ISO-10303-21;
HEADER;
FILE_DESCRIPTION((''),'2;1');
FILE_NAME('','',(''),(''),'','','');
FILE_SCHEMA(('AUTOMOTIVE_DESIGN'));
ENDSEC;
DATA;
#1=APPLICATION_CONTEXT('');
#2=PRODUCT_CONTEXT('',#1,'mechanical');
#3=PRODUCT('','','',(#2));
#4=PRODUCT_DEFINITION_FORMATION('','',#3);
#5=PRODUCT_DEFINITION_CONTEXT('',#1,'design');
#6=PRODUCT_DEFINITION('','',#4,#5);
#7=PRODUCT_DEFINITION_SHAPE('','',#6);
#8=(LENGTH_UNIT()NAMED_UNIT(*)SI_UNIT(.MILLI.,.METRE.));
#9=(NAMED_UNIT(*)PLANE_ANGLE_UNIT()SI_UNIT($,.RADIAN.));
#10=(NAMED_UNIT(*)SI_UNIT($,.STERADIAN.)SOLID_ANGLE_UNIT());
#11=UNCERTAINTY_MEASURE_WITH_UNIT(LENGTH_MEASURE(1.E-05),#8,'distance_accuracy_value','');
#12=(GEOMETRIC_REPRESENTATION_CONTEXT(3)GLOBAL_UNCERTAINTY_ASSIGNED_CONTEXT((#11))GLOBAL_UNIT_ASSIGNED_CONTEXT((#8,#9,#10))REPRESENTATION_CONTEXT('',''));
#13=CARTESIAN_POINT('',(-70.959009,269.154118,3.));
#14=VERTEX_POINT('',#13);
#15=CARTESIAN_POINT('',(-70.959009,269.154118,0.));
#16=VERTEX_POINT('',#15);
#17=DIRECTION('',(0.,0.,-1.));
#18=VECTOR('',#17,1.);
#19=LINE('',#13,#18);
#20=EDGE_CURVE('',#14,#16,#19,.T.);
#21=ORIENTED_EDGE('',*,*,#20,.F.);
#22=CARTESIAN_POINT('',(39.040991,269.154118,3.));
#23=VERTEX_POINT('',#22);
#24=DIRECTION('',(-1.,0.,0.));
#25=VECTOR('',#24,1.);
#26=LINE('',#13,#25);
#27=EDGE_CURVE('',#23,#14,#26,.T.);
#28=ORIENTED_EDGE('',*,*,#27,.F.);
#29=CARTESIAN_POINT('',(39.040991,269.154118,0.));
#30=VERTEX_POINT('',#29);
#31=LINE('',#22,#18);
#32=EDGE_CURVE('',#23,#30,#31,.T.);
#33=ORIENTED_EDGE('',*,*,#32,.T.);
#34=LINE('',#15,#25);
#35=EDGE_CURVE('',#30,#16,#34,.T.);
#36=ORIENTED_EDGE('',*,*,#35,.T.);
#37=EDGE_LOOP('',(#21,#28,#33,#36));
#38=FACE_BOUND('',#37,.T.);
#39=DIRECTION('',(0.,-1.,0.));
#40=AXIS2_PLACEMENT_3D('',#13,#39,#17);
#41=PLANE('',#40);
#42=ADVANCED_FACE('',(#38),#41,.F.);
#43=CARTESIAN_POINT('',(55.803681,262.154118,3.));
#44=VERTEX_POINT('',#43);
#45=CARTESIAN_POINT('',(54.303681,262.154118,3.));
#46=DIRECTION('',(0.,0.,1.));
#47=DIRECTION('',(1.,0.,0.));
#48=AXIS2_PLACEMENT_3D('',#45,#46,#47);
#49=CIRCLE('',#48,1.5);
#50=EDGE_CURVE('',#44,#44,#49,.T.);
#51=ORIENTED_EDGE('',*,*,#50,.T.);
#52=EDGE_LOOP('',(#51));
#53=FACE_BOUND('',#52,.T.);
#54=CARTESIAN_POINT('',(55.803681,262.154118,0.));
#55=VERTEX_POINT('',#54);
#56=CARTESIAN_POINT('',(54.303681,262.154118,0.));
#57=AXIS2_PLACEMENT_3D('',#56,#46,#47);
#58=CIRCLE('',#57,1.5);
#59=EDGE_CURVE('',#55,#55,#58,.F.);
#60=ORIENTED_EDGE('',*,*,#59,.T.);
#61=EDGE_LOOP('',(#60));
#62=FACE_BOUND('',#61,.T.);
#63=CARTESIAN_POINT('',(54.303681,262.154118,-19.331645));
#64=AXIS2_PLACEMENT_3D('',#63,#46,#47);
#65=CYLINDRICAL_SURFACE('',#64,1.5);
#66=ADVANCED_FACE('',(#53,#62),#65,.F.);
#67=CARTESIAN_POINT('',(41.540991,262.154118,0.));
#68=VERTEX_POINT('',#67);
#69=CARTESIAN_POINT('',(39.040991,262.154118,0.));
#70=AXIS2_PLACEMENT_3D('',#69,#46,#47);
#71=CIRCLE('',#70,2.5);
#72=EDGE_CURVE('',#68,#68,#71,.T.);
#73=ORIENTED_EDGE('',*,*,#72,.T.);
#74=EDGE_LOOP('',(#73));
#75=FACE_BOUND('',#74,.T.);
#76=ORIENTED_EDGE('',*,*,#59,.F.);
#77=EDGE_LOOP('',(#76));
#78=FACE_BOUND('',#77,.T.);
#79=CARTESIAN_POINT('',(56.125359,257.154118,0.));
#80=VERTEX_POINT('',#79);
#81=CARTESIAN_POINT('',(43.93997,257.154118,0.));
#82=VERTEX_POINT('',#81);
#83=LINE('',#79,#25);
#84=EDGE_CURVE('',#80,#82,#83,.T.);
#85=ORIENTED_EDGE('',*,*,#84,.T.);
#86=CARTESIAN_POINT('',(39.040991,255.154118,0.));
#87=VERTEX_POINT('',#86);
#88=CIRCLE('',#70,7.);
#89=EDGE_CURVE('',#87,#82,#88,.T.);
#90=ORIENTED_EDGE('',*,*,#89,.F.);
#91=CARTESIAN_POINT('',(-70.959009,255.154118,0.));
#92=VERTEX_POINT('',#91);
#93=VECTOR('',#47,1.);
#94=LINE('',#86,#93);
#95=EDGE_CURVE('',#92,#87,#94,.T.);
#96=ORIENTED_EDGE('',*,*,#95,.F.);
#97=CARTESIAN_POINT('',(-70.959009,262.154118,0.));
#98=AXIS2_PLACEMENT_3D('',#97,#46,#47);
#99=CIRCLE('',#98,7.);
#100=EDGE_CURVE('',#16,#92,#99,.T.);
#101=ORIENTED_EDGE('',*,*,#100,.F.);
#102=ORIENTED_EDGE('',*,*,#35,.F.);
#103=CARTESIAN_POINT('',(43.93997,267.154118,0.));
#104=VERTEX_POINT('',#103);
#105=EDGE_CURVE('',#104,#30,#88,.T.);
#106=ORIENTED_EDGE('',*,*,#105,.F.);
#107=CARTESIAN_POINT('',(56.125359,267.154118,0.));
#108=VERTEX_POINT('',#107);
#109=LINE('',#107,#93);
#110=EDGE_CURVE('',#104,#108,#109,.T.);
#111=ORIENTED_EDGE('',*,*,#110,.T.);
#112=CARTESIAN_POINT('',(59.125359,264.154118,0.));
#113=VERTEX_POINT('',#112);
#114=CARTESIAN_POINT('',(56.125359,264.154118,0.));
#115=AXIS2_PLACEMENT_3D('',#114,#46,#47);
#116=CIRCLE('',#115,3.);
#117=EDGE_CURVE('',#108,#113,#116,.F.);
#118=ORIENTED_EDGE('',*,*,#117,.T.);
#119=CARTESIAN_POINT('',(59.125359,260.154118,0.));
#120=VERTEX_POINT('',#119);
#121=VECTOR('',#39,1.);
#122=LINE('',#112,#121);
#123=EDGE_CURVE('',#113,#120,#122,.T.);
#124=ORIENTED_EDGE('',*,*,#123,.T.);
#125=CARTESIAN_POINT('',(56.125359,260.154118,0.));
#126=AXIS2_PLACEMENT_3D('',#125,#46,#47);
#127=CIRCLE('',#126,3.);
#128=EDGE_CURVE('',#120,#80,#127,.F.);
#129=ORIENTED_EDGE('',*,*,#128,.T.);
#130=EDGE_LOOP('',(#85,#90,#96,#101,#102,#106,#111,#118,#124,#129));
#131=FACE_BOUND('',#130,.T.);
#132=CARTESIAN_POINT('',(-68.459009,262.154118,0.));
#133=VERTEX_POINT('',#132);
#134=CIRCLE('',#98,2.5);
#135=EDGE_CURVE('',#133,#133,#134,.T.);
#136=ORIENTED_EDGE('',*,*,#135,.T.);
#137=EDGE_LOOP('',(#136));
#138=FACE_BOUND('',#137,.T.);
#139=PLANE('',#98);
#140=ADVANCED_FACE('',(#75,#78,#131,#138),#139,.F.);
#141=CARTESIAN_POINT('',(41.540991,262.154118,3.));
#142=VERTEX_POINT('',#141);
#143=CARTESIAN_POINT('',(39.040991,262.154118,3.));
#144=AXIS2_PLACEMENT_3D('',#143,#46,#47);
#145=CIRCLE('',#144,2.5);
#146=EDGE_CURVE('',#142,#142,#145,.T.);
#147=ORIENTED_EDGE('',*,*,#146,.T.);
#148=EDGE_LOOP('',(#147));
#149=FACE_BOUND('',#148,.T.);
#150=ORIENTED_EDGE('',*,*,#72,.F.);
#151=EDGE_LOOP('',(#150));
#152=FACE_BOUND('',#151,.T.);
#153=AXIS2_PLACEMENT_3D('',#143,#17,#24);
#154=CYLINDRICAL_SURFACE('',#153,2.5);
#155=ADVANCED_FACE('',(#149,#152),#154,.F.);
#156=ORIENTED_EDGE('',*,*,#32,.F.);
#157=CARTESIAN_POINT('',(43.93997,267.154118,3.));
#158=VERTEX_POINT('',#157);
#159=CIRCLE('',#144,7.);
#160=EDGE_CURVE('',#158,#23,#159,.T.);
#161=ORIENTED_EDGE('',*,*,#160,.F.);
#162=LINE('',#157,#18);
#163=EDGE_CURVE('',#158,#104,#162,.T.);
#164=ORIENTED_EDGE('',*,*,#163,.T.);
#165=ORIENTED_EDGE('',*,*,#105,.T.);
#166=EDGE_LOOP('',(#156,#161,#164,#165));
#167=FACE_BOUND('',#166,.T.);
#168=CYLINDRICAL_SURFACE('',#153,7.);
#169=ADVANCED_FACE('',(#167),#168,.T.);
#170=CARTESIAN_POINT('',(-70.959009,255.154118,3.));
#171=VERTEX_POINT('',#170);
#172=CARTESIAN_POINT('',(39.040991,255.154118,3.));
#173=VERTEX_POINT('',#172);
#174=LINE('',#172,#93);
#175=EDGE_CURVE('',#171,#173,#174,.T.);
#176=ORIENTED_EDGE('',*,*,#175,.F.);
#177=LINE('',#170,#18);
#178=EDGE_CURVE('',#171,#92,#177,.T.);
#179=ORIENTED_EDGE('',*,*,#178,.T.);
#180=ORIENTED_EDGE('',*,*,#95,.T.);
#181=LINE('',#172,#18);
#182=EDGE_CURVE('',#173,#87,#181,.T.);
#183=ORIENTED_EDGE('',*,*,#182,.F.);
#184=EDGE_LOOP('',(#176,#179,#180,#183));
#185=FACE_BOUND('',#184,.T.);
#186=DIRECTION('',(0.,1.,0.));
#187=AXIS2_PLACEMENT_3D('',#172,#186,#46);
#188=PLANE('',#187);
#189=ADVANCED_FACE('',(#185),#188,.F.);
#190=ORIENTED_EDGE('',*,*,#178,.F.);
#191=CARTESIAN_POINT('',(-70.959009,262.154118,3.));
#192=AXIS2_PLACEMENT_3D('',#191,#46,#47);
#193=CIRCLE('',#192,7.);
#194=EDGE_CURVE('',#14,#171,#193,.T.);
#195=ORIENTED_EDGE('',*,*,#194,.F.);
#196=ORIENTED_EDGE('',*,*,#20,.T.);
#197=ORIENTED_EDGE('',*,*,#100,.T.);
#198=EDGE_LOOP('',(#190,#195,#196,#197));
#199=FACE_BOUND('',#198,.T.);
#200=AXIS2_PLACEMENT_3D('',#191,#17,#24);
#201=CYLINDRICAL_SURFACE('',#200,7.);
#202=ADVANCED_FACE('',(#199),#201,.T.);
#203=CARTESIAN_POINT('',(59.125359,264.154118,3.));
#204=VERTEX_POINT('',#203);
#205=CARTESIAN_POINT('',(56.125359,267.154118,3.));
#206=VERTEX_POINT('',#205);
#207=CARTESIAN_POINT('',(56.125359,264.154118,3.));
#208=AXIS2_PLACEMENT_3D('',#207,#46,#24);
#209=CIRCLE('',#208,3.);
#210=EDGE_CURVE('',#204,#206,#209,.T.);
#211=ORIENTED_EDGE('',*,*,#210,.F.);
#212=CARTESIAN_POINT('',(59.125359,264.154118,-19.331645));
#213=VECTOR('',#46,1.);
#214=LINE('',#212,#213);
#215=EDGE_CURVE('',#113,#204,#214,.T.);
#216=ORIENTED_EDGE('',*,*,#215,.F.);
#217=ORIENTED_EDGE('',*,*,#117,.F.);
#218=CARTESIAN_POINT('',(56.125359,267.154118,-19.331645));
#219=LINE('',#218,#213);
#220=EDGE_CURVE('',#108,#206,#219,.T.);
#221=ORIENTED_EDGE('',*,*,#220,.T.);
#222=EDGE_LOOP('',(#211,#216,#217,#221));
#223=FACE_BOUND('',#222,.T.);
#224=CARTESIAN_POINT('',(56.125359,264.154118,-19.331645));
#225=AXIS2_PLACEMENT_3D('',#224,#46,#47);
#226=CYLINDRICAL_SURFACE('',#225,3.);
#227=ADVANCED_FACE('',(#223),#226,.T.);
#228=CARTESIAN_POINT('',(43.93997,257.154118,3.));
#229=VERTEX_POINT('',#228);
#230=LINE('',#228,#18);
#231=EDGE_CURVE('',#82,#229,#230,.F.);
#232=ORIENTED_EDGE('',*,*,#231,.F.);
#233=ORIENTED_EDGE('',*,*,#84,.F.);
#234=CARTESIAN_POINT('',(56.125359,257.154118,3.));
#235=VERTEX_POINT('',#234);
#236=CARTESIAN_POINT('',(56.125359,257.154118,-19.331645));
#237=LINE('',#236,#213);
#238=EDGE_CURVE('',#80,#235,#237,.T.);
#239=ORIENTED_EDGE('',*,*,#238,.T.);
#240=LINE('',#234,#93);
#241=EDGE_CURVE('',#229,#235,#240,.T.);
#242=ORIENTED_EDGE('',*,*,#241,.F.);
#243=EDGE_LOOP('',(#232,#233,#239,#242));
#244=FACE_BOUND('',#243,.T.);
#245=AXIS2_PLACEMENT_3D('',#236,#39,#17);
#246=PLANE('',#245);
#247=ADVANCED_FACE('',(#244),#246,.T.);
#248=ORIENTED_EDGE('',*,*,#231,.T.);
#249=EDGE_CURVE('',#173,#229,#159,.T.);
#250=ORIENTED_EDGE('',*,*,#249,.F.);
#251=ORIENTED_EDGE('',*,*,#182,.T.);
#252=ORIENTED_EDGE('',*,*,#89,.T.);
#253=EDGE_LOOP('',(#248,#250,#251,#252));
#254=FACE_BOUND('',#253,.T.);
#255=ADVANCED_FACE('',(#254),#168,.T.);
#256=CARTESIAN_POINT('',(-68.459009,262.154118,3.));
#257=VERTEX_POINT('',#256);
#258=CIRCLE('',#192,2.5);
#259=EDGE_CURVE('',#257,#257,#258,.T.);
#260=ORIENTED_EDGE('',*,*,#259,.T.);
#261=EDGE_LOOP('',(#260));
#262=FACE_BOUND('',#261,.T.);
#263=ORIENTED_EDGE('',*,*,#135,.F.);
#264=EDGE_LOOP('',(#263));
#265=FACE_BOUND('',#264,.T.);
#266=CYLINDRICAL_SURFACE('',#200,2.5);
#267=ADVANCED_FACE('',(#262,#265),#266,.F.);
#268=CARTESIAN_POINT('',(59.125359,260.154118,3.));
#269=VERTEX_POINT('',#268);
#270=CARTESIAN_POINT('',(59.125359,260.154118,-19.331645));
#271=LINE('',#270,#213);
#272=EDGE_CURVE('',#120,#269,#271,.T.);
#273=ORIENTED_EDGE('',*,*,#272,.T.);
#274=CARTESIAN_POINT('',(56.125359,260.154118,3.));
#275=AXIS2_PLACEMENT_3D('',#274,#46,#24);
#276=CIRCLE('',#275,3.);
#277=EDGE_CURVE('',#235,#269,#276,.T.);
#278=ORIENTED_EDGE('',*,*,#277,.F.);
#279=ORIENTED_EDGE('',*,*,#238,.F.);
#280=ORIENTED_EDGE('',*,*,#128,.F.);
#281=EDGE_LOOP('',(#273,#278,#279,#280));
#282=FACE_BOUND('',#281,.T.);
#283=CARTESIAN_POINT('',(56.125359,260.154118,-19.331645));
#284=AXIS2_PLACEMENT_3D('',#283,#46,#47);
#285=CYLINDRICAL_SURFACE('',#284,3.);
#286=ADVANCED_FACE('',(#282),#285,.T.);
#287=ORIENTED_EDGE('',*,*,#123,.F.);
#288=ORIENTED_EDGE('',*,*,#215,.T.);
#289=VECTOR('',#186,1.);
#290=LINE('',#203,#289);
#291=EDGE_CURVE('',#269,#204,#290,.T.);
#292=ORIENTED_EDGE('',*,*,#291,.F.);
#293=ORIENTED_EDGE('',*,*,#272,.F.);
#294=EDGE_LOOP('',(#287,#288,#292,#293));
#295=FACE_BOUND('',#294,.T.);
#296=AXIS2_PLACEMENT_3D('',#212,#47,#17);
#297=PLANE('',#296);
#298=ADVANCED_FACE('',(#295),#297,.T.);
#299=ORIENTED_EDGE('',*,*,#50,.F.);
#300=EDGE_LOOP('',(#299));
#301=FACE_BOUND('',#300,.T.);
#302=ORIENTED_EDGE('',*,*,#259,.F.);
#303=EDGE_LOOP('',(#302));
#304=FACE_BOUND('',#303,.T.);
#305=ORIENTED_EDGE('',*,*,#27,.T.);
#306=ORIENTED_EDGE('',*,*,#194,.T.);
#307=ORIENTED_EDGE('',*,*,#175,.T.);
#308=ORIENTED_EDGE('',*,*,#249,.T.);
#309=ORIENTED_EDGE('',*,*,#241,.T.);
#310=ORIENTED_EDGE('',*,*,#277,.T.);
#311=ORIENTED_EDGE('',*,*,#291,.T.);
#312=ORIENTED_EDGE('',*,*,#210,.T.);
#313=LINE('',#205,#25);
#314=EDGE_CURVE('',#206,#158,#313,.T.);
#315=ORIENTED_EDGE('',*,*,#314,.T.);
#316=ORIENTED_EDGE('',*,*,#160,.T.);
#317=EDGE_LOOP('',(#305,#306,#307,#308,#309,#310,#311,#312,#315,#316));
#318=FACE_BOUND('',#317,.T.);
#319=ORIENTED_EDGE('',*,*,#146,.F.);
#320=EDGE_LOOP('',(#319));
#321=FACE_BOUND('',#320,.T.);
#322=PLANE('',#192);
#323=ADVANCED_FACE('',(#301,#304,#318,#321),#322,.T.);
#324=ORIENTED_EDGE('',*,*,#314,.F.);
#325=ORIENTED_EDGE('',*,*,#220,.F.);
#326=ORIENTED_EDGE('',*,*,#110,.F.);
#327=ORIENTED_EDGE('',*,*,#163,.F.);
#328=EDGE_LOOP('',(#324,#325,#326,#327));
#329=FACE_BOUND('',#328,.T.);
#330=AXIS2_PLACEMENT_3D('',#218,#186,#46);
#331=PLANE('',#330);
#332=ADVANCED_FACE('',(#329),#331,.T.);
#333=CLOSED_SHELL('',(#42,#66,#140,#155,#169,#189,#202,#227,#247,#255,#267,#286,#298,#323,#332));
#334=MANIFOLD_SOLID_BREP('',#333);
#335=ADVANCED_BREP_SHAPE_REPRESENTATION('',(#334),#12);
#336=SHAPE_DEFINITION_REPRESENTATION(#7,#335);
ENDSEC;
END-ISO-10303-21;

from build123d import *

# Parameters (mm, degrees)
SKETCH1_R           = 2.5
BOSS_EXTRUDE1_DEPTH = 3
SKETCH2_R           = 1.5
BOSS_EXTRUDE2_DEPTH = 3


with BuildPart() as part:
    # Sketch1 → Boss-Extrude1 (new body)
    with BuildSketch(Plane.XY):
        with BuildLine():
            Line((-70.959009299, 269.154117688), (39.040990701, 269.154117688))
            ThreePointArc((39.040990701, 269.154117688), (46.040990701, 262.154117688), (39.040990701, 255.154117688))
            Line((39.040990701, 255.154117688), (-70.959009299, 255.154117688))
            ThreePointArc((-70.959009299, 255.154117688), (-77.959009299, 262.154117688), (-70.959009299, 269.154117688))
        make_face()
        with Locations((-70.959009299, 262.154117688)):
            Circle(SKETCH1_R, mode=Mode.SUBTRACT)
        with Locations((39.040990701, 262.154117688)):
            Circle(SKETCH1_R, mode=Mode.SUBTRACT)
    extrude(amount=BOSS_EXTRUDE1_DEPTH)

    # Sketch2 → Boss-Extrude2 (add)
    with BuildSketch(Plane.XY.offset(3)):
        with BuildLine():
            Line((56.125358764, 267.154117688), (42.581100141, 267.154117688))
            Line((42.581100141, 267.154117688), (42.581100141, 257.154117688))
            Line((42.581100141, 257.154117688), (56.125358764, 257.154117688))
            ThreePointArc((56.125358764, 257.154117688), (58.246679107, 258.032797345), (59.125358764, 260.154117688))
            Line((59.125358764, 260.154117688), (59.125358764, 264.154117688))
            ThreePointArc((59.125358764, 264.154117688), (58.246679107, 266.275438032), (56.125358764, 267.154117688))
        make_face()
        with Locations((54.303681244, 262.154117688)):
            Circle(SKETCH2_R, mode=Mode.SUBTRACT)
    extrude(amount=-BOSS_EXTRUDE2_DEPTH)


solid = part.part
